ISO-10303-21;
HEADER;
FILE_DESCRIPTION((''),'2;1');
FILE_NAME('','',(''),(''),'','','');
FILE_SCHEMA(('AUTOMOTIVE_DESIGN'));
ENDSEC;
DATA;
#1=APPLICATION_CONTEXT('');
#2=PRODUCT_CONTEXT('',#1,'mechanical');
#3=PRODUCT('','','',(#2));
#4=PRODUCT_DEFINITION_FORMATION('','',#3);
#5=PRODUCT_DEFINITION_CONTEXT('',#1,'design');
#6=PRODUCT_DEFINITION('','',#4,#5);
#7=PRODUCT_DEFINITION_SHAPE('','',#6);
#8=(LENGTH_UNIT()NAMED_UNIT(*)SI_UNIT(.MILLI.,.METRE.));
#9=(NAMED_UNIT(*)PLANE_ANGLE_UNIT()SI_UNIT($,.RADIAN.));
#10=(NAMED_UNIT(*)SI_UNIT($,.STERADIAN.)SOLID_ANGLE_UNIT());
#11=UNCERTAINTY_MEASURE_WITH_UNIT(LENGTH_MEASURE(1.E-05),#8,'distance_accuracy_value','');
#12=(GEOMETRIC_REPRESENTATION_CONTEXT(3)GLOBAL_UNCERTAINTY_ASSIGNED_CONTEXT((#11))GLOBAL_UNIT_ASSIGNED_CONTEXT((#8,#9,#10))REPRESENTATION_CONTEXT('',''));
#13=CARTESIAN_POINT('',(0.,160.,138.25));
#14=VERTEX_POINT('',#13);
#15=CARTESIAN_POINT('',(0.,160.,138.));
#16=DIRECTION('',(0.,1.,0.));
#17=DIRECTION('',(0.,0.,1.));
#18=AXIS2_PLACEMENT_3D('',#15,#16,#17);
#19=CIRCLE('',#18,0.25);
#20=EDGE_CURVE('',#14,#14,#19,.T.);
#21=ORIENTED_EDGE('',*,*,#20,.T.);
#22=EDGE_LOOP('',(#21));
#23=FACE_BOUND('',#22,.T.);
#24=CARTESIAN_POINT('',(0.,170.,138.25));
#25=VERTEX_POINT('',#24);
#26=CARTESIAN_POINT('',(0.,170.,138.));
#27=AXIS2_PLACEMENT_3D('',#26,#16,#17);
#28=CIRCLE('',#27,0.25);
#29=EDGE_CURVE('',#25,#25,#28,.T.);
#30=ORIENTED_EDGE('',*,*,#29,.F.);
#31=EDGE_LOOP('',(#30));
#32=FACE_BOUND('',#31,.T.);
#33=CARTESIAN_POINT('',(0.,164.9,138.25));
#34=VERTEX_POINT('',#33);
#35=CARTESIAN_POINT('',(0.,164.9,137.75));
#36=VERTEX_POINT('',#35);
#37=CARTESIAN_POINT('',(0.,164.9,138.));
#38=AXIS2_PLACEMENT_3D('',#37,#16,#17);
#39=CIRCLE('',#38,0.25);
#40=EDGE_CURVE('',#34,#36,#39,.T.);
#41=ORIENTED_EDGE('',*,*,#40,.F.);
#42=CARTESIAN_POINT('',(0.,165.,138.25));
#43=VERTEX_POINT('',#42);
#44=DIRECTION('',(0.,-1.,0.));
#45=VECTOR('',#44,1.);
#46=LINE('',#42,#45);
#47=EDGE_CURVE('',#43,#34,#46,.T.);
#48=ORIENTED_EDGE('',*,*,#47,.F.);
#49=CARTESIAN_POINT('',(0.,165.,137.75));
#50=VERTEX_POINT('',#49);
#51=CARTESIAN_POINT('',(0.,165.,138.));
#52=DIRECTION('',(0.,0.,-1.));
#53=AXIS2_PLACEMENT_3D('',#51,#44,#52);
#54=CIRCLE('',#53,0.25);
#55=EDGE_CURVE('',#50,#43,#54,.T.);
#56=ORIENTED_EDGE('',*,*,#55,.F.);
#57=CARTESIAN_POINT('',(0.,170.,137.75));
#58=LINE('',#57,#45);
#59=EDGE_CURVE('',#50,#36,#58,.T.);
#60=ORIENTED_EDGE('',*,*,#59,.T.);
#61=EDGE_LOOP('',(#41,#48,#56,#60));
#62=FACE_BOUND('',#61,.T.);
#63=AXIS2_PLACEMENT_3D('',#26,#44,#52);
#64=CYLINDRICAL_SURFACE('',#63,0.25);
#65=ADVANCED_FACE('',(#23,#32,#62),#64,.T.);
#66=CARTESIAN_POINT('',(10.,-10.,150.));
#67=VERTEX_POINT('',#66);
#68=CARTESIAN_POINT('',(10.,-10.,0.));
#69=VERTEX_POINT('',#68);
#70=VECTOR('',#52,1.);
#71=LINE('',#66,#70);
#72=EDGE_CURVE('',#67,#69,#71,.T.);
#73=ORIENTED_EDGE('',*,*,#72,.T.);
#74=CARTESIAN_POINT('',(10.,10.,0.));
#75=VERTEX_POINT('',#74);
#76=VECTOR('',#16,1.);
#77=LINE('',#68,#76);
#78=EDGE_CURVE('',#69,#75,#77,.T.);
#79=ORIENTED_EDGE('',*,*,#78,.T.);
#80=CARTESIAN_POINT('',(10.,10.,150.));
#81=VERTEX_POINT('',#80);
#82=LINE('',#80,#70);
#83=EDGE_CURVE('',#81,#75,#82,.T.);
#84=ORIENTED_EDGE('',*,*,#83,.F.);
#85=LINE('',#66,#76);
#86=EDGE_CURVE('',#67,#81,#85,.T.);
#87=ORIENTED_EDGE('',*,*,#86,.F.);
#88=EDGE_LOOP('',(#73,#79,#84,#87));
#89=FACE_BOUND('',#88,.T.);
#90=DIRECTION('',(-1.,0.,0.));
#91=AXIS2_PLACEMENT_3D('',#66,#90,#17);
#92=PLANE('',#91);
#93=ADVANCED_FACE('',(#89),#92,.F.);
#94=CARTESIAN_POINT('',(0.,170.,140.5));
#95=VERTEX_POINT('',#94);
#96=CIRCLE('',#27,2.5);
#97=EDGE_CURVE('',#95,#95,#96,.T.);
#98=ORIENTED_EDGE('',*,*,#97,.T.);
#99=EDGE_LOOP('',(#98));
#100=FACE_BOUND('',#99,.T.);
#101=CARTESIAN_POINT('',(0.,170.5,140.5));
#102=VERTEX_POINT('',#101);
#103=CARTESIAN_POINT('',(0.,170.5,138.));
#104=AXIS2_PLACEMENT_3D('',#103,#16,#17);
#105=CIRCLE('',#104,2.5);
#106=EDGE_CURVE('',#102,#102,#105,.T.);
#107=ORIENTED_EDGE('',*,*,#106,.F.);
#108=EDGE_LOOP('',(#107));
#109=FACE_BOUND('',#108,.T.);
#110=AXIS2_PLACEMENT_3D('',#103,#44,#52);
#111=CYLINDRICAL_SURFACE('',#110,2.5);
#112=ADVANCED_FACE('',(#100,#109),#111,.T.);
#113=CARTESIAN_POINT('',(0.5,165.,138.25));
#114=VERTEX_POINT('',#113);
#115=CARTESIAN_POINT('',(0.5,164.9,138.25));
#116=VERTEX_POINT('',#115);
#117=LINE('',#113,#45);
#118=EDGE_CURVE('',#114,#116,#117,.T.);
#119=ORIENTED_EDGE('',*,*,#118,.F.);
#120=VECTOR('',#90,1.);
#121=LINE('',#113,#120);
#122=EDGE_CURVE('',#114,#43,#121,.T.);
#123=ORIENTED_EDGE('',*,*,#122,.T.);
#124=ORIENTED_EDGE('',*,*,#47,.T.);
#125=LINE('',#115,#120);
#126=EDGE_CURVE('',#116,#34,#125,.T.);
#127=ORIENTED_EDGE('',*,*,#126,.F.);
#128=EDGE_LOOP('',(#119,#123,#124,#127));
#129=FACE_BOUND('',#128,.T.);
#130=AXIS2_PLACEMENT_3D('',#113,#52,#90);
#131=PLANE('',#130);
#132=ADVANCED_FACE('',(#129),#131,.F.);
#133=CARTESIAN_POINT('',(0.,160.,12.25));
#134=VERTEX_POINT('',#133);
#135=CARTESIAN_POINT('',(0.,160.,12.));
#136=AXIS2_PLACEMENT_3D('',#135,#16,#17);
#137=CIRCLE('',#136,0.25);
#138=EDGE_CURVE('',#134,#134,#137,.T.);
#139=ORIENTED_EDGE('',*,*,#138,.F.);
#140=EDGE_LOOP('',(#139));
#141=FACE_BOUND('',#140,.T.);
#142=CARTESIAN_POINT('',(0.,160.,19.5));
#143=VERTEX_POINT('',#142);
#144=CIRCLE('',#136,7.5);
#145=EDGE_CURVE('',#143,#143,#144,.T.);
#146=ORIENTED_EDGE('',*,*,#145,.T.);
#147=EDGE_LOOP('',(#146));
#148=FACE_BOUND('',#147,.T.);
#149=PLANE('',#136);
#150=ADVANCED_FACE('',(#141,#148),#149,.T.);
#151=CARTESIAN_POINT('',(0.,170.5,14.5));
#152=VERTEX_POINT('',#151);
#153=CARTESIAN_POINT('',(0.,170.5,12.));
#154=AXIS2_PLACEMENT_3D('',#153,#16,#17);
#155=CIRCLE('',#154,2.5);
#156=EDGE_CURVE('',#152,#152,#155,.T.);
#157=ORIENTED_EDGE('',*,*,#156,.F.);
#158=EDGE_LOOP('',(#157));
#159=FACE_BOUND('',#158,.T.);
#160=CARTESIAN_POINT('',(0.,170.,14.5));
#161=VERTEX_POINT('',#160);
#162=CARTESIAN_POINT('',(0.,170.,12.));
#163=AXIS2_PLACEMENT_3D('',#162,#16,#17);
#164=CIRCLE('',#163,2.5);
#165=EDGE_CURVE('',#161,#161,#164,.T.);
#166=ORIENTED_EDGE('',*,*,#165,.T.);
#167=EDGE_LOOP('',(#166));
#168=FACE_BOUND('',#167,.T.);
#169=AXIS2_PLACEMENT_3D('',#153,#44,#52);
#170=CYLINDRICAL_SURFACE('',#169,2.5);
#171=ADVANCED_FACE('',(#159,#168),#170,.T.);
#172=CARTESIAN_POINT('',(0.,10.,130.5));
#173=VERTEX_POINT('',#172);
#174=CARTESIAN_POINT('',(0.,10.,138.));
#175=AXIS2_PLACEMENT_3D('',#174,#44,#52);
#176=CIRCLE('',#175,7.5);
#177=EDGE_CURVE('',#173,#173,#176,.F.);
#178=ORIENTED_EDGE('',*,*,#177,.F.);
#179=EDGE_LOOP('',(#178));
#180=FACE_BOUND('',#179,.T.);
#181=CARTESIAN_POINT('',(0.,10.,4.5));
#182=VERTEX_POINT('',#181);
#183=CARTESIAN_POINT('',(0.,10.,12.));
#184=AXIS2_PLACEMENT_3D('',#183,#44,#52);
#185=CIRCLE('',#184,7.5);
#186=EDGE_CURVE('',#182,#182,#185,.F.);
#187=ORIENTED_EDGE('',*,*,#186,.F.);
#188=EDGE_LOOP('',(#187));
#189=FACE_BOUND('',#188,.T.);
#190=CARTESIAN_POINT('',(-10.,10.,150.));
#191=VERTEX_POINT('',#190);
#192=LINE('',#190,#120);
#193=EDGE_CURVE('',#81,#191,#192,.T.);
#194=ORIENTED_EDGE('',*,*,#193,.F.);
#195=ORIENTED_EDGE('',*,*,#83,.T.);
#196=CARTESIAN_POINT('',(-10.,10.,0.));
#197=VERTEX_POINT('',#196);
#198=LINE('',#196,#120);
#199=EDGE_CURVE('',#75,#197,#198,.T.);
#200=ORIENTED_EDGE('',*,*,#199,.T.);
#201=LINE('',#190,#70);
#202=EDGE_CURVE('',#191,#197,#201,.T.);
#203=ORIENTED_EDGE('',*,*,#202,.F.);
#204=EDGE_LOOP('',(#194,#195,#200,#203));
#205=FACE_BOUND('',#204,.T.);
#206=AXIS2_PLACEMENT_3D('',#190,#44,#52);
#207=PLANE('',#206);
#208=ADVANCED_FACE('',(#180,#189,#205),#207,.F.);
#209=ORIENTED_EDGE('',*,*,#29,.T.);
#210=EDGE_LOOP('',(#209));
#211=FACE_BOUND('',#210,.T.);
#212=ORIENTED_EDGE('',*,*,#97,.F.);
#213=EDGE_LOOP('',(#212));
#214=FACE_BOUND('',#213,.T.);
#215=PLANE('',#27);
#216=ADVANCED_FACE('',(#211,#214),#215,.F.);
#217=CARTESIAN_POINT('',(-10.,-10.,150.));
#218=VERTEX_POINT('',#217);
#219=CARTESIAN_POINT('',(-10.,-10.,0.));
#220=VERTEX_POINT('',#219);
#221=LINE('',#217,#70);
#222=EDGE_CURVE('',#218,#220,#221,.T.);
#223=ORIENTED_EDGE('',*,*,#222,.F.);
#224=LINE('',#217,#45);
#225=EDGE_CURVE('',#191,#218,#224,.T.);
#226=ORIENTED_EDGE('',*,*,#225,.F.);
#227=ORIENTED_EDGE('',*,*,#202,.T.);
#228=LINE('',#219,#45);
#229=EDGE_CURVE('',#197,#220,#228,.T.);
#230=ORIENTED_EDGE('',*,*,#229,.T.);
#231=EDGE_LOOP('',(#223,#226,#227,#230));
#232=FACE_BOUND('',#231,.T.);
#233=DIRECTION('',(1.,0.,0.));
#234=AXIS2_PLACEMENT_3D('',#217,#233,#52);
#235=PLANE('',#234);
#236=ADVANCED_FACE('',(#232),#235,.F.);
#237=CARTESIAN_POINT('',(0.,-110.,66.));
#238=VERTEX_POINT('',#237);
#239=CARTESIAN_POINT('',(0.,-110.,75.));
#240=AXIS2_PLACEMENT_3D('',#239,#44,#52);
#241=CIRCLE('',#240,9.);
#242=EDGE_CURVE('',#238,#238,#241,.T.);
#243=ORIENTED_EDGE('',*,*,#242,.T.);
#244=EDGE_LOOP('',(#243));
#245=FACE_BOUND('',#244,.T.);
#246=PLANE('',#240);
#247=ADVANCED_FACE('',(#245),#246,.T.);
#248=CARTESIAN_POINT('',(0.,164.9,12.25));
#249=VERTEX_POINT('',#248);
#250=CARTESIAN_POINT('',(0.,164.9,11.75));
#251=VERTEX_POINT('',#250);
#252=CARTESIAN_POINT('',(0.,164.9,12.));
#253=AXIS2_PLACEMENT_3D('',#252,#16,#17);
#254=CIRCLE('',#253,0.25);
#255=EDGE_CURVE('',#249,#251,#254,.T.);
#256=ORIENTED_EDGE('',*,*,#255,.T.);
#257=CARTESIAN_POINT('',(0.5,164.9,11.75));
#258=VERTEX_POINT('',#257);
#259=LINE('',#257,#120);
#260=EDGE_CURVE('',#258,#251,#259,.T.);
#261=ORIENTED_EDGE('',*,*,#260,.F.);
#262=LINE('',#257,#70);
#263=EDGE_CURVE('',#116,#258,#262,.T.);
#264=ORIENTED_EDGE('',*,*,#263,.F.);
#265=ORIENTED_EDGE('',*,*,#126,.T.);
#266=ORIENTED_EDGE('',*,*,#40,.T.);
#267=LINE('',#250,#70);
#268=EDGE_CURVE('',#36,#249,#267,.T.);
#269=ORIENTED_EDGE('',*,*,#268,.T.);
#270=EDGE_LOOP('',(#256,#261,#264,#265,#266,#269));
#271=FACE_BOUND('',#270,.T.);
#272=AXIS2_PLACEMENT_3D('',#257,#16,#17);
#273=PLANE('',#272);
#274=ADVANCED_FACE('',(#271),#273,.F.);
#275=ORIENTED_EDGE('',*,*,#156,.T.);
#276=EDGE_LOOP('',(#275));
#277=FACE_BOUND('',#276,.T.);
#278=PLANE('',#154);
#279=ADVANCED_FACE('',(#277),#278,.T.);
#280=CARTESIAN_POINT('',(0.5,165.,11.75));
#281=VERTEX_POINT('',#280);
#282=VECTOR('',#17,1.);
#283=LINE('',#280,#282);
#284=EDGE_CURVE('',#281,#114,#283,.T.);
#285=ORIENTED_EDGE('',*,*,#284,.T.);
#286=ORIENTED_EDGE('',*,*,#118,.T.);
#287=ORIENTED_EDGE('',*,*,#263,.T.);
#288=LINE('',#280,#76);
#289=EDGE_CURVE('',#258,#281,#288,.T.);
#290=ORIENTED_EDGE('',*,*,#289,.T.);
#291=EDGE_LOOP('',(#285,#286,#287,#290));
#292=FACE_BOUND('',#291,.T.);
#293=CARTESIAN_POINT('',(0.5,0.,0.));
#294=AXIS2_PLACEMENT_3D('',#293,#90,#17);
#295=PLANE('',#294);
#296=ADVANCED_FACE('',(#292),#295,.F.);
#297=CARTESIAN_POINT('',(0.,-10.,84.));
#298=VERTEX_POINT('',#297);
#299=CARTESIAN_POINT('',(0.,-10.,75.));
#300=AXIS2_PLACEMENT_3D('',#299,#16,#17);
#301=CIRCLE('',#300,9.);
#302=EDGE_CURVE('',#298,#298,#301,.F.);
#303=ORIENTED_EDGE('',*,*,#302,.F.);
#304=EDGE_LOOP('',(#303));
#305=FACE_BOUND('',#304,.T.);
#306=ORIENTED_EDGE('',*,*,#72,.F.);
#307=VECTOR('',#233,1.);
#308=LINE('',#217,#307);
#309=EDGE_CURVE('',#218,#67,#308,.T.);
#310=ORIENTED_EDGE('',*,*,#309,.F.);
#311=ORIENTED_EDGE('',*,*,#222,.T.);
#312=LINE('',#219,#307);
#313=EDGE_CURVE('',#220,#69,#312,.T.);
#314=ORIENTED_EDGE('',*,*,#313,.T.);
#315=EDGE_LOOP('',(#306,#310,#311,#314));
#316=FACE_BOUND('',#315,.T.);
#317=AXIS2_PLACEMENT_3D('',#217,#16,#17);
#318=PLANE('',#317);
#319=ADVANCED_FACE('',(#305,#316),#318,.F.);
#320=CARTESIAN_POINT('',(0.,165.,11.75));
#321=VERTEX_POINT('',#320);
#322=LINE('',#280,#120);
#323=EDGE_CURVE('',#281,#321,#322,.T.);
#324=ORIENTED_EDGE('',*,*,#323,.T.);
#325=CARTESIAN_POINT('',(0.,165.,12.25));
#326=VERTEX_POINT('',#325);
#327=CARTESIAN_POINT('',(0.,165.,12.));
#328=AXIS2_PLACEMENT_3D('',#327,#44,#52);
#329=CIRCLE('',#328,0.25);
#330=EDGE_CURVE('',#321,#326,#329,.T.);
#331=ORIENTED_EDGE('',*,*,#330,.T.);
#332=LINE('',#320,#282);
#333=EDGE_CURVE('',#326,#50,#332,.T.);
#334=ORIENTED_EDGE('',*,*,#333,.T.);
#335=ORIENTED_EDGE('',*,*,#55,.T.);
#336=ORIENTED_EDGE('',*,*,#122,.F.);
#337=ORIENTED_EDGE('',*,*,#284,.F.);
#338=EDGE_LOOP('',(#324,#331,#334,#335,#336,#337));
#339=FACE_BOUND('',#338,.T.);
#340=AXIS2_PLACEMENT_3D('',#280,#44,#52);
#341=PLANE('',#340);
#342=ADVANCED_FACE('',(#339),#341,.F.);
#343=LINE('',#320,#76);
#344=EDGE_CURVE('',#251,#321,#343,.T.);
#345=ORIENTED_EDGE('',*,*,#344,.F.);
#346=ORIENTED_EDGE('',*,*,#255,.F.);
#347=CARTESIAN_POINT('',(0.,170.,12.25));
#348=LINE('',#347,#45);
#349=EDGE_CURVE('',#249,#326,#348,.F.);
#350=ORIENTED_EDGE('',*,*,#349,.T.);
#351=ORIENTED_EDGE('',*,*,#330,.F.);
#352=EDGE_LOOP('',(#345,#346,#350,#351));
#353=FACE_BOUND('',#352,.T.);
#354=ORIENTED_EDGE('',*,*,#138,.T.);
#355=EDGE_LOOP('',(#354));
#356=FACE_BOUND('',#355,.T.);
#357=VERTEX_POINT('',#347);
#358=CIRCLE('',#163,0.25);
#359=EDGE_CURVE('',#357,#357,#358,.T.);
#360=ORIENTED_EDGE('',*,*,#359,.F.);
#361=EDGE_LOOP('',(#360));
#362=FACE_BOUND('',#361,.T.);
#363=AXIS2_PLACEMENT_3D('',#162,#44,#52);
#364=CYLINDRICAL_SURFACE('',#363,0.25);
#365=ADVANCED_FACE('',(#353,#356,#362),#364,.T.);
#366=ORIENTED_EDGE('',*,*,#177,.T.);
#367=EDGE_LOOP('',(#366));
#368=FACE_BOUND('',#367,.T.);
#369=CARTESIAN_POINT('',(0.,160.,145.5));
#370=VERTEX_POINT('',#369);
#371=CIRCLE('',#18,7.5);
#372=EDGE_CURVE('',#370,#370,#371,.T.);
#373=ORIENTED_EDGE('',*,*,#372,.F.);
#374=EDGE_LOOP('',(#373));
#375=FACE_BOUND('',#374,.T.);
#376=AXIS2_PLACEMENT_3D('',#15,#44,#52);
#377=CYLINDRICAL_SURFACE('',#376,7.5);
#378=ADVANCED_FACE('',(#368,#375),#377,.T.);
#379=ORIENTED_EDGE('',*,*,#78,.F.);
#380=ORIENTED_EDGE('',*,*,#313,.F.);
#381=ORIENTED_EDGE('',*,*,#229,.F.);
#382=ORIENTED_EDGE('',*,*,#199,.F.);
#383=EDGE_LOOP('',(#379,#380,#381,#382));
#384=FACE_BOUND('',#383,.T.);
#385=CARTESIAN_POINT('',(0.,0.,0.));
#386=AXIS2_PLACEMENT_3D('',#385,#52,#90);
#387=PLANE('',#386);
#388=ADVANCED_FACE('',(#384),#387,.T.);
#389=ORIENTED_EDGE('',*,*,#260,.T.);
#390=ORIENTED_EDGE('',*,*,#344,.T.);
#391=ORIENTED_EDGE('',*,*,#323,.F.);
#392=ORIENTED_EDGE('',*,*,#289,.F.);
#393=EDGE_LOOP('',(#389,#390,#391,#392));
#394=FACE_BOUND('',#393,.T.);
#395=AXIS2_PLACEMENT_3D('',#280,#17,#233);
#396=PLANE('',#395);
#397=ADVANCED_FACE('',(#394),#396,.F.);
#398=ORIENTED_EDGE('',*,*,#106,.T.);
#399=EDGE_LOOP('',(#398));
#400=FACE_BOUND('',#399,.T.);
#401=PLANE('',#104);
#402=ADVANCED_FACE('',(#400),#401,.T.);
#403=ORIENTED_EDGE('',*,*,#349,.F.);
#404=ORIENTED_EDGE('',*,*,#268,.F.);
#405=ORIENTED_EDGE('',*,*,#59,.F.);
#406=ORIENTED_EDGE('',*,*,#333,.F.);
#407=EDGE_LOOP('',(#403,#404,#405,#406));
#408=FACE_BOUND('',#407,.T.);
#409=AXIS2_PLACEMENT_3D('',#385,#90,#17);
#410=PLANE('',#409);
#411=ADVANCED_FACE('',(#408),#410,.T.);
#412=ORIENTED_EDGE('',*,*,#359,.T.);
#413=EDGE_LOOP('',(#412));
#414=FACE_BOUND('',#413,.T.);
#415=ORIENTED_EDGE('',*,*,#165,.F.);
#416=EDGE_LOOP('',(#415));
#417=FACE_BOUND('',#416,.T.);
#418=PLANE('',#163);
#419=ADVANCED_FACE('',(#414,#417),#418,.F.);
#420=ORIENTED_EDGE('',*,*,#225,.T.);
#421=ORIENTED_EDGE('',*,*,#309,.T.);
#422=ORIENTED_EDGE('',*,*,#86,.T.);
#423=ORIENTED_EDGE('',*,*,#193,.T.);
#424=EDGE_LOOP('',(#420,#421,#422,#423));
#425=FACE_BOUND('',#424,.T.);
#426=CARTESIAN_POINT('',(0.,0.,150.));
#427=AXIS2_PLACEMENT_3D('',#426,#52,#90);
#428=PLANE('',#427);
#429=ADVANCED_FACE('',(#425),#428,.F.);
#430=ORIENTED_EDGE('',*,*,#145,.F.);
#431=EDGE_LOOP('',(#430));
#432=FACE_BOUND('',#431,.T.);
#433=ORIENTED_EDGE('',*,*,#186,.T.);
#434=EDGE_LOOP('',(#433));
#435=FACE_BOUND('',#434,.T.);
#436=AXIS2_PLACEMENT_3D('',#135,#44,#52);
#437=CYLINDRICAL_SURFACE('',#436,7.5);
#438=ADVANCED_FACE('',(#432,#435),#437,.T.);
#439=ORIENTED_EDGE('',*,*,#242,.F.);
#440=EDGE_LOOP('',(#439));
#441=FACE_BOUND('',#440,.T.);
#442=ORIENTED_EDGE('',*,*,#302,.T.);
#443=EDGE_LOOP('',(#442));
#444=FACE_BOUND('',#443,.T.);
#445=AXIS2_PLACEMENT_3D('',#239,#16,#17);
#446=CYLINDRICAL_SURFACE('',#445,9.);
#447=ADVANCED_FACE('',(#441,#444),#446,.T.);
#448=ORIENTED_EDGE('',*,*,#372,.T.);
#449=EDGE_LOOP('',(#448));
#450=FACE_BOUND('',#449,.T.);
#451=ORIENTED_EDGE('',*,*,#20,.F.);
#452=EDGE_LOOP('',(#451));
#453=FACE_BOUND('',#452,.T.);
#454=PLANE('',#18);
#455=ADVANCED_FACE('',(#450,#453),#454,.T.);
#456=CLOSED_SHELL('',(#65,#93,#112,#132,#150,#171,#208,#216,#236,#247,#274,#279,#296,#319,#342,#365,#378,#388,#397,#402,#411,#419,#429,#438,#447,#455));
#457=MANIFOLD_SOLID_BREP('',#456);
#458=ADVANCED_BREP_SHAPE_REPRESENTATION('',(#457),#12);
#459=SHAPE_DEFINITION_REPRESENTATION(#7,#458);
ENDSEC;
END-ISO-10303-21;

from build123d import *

# Parameters (mm, degrees)
SKETCH1_W           = 20
SKETCH1_H           = 20
BOSS_EXTRUDE1_DEPTH = 150
SKETCH3_R           = 9
BOSS_EXTRUDE2_DEPTH = 100
SKETCH2_R           = 7.5
BOSS_EXTRUDE3_DEPTH = 150
SKETCH7_R           = 0.25
BOSS_EXTRUDE4_DEPTH = 10
SKETCH8_R           = 2.5
BOSS_EXTRUDE5_DEPTH = 0.5
SKETCH19_W          = 126.5
SKETCH19_H          = 0.1
BOSS_EXTRUDE6_DEPTH = 0.5


with BuildPart() as part:
    # Sketch1 → Boss-Extrude1 (new body)
    with BuildSketch(Plane.XY):
        Rectangle(SKETCH1_W, SKETCH1_H)
    extrude(amount=BOSS_EXTRUDE1_DEPTH)

    # Sketch3 → Boss-Extrude2 (add)
    with BuildSketch(Plane.XZ.offset(10)):
        with Locations((0, 75)):
            Circle(SKETCH3_R)
    extrude(amount=BOSS_EXTRUDE2_DEPTH)

    # Sketch2 → Boss-Extrude3 (add)
    with BuildSketch(Plane(origin=(0, 10, 0), x_dir=(1, 0, 0), z_dir=(0, 1, 0))):
        with Locations((0, -12)):
            Circle(SKETCH2_R)
        with Locations((0, -138)):
            Circle(SKETCH2_R)
    extrude(amount=BOSS_EXTRUDE3_DEPTH)

    # Sketch7 → Boss-Extrude4 (add)
    with BuildSketch(Plane(origin=(0, 160, 0), x_dir=(1, 0, 0), z_dir=(0, 1, 0))):
        with Locations((0, -12)):
            Circle(SKETCH7_R)
        with Locations((0, -138)):
            Circle(SKETCH7_R)
    extrude(amount=BOSS_EXTRUDE4_DEPTH)

    # Sketch8 → Boss-Extrude5 (add)
    with BuildSketch(Plane(origin=(0, 170, 0), x_dir=(1, 0, 0), z_dir=(0, 1, 0))):
        with Locations((0, -12)):
            Circle(SKETCH8_R)
        with Locations((0, -138)):
            Circle(SKETCH8_R)
    extrude(amount=BOSS_EXTRUDE5_DEPTH)

    # Sketch19 → Boss-Extrude6 (add)
    with BuildSketch(Plane(origin=(0, 0, 0), x_dir=(0, 0, -1), z_dir=(1, 0, 0))):
        with Locations((-75, 164.95)):
            Rectangle(SKETCH19_W, SKETCH19_H)
    extrude(amount=BOSS_EXTRUDE6_DEPTH)


solid = part.part
